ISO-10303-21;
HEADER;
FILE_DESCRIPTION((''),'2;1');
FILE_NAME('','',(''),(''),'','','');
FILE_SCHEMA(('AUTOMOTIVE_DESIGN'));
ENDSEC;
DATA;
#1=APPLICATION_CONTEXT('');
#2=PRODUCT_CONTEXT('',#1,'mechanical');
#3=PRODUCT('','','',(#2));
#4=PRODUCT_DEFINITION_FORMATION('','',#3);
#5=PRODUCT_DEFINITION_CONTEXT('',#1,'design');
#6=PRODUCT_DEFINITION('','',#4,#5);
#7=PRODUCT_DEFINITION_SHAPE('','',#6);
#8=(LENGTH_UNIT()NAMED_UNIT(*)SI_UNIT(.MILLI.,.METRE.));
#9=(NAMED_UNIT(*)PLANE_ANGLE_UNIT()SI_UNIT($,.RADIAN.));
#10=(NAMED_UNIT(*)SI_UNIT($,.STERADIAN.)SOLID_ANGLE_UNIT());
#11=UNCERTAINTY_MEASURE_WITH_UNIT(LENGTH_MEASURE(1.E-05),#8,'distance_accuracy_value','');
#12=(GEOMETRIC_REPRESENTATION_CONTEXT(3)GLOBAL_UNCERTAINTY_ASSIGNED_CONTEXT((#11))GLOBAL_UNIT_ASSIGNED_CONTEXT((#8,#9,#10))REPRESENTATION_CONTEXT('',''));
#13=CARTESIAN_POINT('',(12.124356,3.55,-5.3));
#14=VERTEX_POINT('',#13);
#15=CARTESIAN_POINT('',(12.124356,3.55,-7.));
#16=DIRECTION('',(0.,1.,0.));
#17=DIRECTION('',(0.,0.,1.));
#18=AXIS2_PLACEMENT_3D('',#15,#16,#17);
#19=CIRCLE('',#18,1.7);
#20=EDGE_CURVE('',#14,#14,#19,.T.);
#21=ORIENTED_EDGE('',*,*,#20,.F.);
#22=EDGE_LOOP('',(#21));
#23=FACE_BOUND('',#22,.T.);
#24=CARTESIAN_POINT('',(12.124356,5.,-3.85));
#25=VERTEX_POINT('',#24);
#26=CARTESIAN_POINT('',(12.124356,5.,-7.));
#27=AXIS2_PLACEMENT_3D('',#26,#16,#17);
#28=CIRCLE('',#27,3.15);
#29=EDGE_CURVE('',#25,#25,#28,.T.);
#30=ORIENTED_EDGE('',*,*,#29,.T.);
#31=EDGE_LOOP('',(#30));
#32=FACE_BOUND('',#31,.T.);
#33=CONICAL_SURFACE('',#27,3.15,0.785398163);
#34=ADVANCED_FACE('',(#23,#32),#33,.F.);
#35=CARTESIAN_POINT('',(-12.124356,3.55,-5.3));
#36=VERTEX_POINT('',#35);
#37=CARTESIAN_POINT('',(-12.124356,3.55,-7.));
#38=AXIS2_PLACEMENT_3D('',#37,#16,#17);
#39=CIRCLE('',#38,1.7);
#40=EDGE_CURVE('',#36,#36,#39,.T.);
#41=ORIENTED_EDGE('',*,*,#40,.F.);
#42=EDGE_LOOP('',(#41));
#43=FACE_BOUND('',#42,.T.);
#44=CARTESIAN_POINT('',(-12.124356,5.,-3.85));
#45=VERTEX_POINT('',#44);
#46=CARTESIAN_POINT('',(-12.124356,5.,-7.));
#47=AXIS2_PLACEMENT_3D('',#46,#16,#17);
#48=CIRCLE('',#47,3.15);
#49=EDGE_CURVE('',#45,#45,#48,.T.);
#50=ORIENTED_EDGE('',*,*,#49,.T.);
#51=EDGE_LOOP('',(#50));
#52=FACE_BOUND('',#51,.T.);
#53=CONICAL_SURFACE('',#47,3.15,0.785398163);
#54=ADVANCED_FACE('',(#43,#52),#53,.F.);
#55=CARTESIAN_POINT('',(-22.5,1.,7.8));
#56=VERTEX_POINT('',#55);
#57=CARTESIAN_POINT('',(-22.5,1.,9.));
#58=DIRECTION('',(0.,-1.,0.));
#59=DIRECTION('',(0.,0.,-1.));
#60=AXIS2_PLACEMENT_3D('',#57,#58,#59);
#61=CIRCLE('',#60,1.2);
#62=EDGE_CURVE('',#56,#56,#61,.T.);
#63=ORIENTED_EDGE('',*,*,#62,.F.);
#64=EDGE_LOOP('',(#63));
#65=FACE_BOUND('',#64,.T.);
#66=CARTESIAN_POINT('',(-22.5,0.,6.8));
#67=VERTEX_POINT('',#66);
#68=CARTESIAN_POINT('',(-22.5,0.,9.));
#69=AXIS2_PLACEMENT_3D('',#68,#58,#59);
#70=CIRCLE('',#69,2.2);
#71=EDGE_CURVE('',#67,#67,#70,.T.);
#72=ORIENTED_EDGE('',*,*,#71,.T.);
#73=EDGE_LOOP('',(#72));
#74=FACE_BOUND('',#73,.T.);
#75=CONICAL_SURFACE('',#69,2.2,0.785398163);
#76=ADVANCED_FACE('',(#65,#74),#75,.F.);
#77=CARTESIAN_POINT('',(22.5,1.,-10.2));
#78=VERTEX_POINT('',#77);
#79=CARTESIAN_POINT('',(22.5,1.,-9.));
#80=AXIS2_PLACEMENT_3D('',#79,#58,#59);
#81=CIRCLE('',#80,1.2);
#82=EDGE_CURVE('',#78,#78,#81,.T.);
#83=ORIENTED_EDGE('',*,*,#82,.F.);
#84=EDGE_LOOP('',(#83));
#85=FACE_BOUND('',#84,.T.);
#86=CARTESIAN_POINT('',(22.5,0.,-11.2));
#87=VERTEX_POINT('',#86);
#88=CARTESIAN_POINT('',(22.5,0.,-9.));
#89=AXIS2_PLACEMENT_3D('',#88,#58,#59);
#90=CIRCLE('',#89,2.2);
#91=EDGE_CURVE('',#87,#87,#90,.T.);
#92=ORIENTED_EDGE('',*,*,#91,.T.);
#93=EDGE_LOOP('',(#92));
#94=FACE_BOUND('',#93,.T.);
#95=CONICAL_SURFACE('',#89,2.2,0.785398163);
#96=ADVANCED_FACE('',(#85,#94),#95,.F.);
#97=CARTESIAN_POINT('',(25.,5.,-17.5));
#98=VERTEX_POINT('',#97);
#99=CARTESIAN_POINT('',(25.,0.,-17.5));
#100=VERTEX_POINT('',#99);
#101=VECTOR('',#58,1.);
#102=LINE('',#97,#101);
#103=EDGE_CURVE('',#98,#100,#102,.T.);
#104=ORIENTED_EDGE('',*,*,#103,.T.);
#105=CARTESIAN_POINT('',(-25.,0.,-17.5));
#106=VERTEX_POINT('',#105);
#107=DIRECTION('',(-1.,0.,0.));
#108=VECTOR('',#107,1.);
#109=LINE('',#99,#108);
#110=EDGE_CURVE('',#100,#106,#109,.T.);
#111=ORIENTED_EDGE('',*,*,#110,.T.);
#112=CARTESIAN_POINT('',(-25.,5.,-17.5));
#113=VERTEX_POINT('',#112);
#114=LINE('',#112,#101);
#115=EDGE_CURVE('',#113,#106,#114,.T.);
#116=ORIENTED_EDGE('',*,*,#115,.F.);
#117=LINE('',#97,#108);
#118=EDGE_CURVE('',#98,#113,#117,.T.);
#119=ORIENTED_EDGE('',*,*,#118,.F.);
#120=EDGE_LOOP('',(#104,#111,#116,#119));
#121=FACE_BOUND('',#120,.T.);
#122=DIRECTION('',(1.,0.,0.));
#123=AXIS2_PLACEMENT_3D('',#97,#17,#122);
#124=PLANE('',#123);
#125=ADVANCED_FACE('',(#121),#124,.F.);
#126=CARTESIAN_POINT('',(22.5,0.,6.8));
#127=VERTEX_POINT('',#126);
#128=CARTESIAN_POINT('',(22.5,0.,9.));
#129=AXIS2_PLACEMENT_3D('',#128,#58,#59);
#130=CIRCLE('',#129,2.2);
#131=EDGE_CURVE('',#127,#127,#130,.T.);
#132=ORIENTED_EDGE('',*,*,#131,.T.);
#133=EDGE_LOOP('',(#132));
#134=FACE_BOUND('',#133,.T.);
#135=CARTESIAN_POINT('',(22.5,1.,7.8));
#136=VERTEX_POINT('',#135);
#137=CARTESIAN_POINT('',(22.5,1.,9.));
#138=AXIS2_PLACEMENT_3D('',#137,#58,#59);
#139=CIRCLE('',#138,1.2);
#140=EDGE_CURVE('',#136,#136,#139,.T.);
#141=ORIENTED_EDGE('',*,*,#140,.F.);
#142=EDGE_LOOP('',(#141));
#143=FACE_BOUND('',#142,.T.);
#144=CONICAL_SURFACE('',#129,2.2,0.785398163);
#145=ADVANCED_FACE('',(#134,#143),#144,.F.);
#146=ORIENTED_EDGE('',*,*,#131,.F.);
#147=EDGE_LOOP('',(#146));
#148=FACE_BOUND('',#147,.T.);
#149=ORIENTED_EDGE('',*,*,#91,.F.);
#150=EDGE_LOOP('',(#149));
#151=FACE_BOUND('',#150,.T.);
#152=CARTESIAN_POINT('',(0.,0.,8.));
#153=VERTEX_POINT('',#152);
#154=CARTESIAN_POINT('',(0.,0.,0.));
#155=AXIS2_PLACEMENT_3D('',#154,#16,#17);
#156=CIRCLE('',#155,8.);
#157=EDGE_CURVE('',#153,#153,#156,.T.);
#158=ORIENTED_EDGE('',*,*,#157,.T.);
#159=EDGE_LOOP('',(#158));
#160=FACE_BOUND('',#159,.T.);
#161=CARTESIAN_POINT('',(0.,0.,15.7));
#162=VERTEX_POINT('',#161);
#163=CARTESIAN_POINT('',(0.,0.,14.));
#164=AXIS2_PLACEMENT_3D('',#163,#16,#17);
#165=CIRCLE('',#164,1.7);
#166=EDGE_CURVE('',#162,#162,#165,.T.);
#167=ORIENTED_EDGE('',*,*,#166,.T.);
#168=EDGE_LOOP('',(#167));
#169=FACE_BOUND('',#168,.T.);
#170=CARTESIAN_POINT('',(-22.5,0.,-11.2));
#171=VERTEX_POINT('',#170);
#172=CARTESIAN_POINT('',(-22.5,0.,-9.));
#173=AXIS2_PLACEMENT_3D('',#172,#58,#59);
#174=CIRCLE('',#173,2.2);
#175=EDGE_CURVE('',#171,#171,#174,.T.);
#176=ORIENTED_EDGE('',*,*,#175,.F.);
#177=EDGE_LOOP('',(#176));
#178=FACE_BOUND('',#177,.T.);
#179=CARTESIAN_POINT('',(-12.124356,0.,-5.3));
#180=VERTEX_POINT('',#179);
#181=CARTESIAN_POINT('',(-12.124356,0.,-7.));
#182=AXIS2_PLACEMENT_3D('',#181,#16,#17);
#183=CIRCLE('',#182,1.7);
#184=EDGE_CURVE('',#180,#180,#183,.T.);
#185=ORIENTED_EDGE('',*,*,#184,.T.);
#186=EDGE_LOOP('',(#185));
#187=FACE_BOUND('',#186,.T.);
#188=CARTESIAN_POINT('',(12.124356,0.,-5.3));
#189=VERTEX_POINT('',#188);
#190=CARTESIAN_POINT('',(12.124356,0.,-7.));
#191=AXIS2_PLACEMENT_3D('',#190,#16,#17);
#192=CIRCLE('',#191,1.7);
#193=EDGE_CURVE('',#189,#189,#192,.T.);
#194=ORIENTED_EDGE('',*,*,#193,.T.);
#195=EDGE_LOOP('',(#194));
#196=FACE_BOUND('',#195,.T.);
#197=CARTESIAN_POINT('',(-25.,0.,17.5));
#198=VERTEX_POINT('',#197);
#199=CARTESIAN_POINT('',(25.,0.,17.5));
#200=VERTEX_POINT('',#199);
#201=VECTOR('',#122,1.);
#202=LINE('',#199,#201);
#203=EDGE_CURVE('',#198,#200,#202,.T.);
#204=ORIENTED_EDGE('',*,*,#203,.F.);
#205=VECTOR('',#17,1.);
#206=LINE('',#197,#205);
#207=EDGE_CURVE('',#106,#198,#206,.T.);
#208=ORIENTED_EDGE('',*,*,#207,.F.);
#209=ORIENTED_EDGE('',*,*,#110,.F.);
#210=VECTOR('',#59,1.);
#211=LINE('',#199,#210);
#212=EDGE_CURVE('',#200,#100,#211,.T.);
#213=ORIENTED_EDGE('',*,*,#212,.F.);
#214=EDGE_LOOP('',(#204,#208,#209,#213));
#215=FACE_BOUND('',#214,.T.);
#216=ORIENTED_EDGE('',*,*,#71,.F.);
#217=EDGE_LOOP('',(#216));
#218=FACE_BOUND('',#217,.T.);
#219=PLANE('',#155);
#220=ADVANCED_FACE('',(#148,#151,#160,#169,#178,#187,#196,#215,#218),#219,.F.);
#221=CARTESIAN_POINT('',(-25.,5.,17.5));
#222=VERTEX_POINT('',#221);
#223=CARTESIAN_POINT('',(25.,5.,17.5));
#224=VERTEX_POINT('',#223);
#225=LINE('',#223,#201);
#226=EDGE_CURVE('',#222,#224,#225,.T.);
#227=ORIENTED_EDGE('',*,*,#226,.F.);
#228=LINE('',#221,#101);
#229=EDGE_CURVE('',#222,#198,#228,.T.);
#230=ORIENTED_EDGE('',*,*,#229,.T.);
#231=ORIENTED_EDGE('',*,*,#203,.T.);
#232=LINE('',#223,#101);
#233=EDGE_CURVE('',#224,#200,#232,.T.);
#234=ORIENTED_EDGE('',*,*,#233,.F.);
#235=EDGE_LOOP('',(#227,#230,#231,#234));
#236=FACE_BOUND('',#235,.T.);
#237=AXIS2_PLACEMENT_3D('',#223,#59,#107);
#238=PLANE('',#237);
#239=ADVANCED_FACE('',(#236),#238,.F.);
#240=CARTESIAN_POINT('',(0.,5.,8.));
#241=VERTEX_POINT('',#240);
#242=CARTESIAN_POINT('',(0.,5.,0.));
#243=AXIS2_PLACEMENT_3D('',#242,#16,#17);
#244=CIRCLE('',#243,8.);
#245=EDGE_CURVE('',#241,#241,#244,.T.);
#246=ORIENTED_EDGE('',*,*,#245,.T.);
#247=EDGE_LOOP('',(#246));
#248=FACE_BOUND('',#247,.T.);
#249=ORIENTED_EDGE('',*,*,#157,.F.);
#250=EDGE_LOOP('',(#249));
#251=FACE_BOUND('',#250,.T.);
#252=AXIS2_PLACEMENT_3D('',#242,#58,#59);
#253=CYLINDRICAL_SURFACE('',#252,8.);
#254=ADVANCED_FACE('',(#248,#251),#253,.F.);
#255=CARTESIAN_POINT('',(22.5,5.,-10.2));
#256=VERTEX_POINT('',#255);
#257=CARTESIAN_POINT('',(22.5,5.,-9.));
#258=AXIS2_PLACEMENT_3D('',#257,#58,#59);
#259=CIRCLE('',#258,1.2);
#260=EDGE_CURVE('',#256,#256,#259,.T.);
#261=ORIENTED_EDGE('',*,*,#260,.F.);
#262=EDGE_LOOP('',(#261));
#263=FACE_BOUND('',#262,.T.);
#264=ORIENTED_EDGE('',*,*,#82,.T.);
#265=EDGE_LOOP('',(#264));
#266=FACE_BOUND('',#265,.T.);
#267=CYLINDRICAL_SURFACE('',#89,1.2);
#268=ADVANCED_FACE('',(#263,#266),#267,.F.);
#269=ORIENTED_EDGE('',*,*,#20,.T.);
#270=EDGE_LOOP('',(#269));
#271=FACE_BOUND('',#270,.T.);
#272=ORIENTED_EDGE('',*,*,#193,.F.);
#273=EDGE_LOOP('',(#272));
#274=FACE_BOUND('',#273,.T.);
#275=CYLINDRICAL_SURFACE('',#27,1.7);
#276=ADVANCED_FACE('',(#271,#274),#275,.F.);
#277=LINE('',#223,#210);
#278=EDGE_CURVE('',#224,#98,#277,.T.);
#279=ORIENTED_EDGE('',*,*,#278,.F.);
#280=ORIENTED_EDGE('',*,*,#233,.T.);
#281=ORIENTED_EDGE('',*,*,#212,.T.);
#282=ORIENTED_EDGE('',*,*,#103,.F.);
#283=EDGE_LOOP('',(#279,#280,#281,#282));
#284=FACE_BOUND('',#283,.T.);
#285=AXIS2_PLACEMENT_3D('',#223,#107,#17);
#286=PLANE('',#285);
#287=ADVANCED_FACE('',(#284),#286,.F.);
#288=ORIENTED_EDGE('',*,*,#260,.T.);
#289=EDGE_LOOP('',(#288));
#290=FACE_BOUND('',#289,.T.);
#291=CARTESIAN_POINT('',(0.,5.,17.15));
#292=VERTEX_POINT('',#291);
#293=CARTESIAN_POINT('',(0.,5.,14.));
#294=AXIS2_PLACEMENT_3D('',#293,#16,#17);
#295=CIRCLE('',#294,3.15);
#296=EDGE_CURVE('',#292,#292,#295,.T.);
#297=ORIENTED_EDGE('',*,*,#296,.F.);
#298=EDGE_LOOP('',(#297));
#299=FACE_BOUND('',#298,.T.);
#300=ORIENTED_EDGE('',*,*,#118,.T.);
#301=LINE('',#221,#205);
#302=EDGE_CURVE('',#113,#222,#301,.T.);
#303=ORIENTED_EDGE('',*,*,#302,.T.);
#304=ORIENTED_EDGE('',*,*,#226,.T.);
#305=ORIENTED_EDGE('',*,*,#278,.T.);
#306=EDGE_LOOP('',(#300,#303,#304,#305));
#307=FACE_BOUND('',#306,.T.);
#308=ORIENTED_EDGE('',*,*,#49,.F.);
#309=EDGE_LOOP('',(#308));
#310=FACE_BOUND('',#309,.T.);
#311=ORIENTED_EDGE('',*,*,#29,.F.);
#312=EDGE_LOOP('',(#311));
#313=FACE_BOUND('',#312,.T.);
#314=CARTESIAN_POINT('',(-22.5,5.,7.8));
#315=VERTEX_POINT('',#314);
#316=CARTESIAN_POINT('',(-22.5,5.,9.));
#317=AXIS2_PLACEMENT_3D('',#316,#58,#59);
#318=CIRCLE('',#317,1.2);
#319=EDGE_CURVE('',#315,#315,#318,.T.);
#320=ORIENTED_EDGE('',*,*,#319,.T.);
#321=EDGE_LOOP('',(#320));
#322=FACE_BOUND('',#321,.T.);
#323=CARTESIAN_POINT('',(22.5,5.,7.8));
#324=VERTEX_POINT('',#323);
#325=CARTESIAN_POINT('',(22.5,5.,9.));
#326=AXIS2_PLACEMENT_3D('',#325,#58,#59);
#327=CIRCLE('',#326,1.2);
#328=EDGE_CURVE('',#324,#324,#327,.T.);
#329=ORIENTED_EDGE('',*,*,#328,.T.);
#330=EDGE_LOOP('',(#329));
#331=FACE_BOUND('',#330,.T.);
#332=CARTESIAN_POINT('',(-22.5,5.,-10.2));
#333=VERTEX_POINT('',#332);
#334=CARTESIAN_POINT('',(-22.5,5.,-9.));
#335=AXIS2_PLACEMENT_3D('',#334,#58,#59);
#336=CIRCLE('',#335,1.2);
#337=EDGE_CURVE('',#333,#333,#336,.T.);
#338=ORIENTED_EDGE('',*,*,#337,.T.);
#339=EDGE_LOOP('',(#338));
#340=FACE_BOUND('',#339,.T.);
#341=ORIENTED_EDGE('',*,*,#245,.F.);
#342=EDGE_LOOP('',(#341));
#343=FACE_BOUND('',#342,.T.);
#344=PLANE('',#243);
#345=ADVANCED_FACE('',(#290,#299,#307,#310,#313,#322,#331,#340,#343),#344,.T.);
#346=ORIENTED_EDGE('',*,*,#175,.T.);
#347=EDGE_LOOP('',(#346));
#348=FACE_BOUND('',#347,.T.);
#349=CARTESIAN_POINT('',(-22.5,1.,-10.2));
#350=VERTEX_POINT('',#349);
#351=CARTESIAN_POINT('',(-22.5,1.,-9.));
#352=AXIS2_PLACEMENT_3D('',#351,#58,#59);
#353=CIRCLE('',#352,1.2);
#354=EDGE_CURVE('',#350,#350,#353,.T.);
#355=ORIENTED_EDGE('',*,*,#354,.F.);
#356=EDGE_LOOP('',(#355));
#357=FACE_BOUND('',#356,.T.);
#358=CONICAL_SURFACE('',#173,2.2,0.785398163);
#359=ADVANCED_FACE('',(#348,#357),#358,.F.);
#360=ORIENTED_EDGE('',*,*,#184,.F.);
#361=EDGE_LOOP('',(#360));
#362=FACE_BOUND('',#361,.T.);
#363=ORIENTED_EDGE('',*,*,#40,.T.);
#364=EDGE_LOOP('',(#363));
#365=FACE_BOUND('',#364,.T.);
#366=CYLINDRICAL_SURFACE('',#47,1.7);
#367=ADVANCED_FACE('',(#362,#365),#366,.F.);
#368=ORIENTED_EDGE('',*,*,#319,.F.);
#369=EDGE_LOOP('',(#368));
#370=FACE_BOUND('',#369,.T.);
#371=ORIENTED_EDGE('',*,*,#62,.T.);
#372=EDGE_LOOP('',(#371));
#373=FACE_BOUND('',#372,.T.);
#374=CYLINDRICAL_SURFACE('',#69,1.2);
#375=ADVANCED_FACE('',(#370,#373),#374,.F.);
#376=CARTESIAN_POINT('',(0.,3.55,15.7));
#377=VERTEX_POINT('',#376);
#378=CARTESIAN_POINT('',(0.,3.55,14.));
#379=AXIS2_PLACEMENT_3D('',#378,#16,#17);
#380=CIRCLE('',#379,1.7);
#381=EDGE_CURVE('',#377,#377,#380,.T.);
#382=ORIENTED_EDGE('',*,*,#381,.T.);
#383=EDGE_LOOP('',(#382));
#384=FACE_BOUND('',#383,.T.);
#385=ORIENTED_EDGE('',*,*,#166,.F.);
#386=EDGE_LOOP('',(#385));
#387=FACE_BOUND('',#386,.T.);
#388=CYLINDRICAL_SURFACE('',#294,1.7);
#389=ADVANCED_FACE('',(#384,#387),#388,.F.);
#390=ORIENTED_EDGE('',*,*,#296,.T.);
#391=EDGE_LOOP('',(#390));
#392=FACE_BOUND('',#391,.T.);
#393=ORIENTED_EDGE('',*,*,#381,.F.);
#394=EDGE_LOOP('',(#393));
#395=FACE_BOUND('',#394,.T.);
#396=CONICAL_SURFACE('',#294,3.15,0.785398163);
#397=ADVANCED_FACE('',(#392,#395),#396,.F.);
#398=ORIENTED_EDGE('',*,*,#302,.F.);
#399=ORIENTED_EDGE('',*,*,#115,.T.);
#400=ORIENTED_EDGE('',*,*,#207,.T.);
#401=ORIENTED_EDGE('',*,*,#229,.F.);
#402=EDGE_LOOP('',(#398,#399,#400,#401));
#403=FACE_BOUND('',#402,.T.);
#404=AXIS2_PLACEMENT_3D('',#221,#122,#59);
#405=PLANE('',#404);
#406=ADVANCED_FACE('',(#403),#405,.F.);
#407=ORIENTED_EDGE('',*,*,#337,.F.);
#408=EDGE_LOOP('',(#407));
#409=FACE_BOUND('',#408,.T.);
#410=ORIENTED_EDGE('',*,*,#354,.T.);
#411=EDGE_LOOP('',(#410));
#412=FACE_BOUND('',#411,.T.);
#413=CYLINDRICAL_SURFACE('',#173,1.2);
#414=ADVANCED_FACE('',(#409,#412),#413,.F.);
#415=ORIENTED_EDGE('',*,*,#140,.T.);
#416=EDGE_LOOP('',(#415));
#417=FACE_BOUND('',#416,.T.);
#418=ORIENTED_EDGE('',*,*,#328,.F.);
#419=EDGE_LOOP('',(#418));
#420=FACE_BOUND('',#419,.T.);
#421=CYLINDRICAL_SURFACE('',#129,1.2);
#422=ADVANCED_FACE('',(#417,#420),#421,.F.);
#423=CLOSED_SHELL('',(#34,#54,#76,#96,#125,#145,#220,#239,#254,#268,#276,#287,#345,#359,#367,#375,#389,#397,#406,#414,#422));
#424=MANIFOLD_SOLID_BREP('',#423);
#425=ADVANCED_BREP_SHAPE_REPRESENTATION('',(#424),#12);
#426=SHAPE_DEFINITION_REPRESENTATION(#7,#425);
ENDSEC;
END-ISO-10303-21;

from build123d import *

# Parameters (mm, degrees)
SKETCH1_W                                           = 50
SKETCH1_H                                           = 35
SKETCH1_R                                           = 8
BOSS_EXTRUDE1_DEPTH                                 = 5
CSK_FOR_M3_COUNTERSUNK_FLAT_HEAD_SCREW1_D           = 3.4
CSK_FOR_M3_COUNTERSUNK_FLAT_HEAD_SCREW1_CSINK_D     = 6.3
CSK_FOR_M3_COUNTERSUNK_FLAT_HEAD_SCREW1_CSINK_ANGLE = 90
CSK_FOR_M2_COUNTERSUNK_FLAT_HEAD_SCREW1_D           = 2.4
CSK_FOR_M2_COUNTERSUNK_FLAT_HEAD_SCREW1_CSINK_D     = 4.4
CSK_FOR_M2_COUNTERSUNK_FLAT_HEAD_SCREW1_CSINK_ANGLE = 90


with BuildPart() as part:
    # Sketch1 → Boss-Extrude1 (new body)
    with BuildSketch(Plane(origin=(0, 0, 0), x_dir=(1, 0, 0), z_dir=(0, 1, 0))):
        Rectangle(SKETCH1_W, SKETCH1_H)
        with Locations(Location((0, 0, 0), (0, 0, 270))):
            Circle(SKETCH1_R, mode=Mode.SUBTRACT)
    extrude(amount=BOSS_EXTRUDE1_DEPTH)

    # CSK for M3 Countersunk Flat Head Screw1 (through all)
    with Locations(Plane(origin=(0, 5, 0), x_dir=(1, 0, 0), z_dir=(0, 1, 0))):
        with Locations((12.124355653, 7), (0, -14), (-12.124355653, 7)):
            CounterSinkHole(CSK_FOR_M3_COUNTERSUNK_FLAT_HEAD_SCREW1_D / 2, CSK_FOR_M3_COUNTERSUNK_FLAT_HEAD_SCREW1_CSINK_D / 2, counter_sink_angle=CSK_FOR_M3_COUNTERSUNK_FLAT_HEAD_SCREW1_CSINK_ANGLE)

    # CSK for M2 Countersunk Flat Head Screw1 (through all)
    with Locations(Plane(origin=(0, 0, 0), x_dir=(-1, 0, 0), z_dir=(0, -1, 0))):
        with Locations((22.5, -9), (22.5, 9), (-22.5, 9), (-22.5, -9)):
            CounterSinkHole(CSK_FOR_M2_COUNTERSUNK_FLAT_HEAD_SCREW1_D / 2, CSK_FOR_M2_COUNTERSUNK_FLAT_HEAD_SCREW1_CSINK_D / 2, counter_sink_angle=CSK_FOR_M2_COUNTERSUNK_FLAT_HEAD_SCREW1_CSINK_ANGLE)


solid = part.part
